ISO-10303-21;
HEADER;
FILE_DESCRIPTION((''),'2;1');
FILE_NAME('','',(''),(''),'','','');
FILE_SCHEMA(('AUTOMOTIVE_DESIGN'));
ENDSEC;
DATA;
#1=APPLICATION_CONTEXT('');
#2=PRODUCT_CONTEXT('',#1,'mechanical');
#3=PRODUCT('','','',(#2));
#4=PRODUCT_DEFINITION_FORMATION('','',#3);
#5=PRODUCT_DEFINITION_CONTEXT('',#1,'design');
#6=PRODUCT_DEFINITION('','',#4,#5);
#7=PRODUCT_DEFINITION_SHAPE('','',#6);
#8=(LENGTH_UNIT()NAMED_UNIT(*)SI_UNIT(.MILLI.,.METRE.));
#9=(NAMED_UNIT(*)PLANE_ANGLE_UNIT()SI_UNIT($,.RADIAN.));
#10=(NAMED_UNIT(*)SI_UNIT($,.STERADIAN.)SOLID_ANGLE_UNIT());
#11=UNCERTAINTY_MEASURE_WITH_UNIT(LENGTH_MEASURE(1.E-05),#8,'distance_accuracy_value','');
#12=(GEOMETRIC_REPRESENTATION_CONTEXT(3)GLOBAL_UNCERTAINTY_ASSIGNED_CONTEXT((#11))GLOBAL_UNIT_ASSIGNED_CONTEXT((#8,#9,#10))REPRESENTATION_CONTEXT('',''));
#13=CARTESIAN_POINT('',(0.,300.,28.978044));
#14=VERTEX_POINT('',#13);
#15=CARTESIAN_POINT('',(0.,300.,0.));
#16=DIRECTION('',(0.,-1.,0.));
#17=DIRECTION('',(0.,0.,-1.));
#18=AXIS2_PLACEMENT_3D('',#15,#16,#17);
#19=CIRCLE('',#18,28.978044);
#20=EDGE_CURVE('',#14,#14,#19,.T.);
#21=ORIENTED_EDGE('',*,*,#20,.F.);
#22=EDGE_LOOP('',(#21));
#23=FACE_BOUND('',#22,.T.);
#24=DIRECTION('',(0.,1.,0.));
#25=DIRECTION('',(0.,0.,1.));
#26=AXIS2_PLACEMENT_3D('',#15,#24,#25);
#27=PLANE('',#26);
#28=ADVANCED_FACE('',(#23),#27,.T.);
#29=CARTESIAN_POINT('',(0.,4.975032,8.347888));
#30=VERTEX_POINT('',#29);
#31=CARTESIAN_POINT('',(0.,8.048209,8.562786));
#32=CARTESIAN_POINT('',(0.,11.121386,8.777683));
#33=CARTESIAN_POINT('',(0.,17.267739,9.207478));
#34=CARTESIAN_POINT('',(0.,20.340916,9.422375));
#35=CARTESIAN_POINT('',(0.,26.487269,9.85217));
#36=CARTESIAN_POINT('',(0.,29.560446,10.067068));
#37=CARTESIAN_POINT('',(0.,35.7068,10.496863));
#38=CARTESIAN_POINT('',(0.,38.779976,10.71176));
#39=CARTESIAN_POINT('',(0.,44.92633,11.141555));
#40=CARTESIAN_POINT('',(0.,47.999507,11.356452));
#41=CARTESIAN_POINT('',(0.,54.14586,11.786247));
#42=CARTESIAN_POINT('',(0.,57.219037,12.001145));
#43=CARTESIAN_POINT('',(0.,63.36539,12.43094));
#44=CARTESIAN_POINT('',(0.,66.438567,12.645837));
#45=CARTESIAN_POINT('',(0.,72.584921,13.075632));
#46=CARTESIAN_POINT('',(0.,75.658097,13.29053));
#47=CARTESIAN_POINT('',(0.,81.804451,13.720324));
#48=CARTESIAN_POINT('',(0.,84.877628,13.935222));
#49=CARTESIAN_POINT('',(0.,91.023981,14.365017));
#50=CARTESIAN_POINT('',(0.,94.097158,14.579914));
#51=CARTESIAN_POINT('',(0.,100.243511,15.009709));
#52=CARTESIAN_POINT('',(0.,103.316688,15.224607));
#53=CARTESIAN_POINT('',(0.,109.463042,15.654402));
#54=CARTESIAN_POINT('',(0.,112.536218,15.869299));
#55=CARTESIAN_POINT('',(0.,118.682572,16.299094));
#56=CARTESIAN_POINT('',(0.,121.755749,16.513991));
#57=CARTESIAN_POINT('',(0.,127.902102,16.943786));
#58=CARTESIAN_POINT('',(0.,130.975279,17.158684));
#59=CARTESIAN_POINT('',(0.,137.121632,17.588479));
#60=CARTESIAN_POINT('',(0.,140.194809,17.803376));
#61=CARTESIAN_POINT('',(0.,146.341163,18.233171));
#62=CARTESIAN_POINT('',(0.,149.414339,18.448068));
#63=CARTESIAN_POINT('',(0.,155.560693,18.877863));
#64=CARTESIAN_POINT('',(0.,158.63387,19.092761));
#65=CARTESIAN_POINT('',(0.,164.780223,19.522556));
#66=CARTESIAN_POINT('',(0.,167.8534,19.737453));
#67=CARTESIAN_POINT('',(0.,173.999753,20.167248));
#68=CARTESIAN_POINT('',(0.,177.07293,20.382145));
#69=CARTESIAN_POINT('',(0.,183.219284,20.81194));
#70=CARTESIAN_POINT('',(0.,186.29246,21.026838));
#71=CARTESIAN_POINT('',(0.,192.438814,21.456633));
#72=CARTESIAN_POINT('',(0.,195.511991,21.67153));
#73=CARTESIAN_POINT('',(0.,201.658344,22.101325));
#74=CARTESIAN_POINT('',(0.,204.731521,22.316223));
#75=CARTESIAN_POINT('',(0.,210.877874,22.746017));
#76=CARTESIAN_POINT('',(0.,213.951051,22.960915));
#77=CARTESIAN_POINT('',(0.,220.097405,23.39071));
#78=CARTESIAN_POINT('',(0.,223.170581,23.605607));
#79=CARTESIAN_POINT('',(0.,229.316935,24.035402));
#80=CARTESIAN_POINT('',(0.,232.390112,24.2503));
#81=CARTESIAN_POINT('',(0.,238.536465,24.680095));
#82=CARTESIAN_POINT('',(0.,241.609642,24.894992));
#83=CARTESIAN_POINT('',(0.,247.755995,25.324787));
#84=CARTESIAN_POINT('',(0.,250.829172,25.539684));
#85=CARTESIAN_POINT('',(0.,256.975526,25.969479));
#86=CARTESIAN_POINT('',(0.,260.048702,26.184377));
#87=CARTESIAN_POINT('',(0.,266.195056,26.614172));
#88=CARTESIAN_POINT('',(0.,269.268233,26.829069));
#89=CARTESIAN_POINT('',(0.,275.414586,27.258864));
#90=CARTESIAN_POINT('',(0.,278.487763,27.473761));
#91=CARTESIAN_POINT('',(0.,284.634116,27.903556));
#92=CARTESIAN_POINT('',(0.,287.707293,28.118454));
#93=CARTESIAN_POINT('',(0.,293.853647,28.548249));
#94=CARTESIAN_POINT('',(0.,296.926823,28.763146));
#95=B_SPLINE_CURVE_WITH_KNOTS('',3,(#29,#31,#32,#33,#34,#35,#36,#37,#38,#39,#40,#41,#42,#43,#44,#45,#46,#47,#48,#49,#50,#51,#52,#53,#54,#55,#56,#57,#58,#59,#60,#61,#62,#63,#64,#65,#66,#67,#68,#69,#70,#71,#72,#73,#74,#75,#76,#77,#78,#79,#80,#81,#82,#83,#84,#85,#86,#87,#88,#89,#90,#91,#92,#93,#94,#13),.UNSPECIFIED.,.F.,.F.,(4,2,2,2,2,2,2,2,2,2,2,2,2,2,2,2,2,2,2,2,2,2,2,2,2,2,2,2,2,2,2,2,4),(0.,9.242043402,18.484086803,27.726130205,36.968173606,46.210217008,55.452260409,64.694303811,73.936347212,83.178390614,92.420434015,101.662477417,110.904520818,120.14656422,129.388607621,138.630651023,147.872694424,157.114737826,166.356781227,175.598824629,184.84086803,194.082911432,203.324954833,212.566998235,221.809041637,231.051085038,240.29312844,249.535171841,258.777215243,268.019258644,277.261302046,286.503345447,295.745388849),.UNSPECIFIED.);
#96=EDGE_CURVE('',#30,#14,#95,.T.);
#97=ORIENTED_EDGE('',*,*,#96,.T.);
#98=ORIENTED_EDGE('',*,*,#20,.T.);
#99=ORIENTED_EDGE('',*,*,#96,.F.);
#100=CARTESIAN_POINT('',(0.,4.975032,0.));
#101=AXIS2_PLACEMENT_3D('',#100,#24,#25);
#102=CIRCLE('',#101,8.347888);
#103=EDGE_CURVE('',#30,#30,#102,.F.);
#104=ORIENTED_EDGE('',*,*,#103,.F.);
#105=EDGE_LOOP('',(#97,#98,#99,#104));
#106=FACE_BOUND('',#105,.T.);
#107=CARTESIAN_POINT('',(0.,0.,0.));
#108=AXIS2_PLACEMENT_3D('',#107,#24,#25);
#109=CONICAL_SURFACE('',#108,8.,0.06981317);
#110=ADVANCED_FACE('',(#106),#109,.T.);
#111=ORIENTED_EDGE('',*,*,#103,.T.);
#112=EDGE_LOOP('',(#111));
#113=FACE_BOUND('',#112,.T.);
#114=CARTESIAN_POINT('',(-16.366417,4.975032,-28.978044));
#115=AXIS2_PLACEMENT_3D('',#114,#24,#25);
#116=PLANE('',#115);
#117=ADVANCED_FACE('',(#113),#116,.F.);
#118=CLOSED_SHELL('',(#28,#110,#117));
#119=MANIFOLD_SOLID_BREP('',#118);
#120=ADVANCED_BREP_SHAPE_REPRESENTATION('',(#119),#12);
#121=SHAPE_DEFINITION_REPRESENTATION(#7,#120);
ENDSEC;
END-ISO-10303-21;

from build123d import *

# Parameters (mm, degrees)
CUT_EXTRUDE1_DEPTH      = 303.786152292
CUT_EXTRUDE1_DEPTH_BACK = 303.786152292
SKETCH2_W               = 29.225395191
SKETCH2_H               = 5


with BuildPart() as part:
    # Sketch1 → Revolve1 (revolve)
    with BuildSketch(Plane.XY, mode=Mode.PRIVATE) as revolve1_sk:
        Polygon((0, 0), (0, 300), (28.978043583, 300), (8, 0), align=None)
    revolve(revolve1_sk.sketch.rotate(Axis((0, 0, 0), (0, 1, 0)), 270), axis=Axis((0, 0, 0), (0, 1, 0)))

    # Sketch2 → Cut-Extrude1 (cut, two sides: drawn at the far end of the back side and taken through both)
    with BuildSketch(Plane.XY.offset(-CUT_EXTRUDE1_DEPTH_BACK)):
        with Locations((-1.753719429, 2.475032054)):
            Rectangle(SKETCH2_W, SKETCH2_H)
    extrude(amount=CUT_EXTRUDE1_DEPTH + CUT_EXTRUDE1_DEPTH_BACK, mode=Mode.SUBTRACT)


solid = part.part
